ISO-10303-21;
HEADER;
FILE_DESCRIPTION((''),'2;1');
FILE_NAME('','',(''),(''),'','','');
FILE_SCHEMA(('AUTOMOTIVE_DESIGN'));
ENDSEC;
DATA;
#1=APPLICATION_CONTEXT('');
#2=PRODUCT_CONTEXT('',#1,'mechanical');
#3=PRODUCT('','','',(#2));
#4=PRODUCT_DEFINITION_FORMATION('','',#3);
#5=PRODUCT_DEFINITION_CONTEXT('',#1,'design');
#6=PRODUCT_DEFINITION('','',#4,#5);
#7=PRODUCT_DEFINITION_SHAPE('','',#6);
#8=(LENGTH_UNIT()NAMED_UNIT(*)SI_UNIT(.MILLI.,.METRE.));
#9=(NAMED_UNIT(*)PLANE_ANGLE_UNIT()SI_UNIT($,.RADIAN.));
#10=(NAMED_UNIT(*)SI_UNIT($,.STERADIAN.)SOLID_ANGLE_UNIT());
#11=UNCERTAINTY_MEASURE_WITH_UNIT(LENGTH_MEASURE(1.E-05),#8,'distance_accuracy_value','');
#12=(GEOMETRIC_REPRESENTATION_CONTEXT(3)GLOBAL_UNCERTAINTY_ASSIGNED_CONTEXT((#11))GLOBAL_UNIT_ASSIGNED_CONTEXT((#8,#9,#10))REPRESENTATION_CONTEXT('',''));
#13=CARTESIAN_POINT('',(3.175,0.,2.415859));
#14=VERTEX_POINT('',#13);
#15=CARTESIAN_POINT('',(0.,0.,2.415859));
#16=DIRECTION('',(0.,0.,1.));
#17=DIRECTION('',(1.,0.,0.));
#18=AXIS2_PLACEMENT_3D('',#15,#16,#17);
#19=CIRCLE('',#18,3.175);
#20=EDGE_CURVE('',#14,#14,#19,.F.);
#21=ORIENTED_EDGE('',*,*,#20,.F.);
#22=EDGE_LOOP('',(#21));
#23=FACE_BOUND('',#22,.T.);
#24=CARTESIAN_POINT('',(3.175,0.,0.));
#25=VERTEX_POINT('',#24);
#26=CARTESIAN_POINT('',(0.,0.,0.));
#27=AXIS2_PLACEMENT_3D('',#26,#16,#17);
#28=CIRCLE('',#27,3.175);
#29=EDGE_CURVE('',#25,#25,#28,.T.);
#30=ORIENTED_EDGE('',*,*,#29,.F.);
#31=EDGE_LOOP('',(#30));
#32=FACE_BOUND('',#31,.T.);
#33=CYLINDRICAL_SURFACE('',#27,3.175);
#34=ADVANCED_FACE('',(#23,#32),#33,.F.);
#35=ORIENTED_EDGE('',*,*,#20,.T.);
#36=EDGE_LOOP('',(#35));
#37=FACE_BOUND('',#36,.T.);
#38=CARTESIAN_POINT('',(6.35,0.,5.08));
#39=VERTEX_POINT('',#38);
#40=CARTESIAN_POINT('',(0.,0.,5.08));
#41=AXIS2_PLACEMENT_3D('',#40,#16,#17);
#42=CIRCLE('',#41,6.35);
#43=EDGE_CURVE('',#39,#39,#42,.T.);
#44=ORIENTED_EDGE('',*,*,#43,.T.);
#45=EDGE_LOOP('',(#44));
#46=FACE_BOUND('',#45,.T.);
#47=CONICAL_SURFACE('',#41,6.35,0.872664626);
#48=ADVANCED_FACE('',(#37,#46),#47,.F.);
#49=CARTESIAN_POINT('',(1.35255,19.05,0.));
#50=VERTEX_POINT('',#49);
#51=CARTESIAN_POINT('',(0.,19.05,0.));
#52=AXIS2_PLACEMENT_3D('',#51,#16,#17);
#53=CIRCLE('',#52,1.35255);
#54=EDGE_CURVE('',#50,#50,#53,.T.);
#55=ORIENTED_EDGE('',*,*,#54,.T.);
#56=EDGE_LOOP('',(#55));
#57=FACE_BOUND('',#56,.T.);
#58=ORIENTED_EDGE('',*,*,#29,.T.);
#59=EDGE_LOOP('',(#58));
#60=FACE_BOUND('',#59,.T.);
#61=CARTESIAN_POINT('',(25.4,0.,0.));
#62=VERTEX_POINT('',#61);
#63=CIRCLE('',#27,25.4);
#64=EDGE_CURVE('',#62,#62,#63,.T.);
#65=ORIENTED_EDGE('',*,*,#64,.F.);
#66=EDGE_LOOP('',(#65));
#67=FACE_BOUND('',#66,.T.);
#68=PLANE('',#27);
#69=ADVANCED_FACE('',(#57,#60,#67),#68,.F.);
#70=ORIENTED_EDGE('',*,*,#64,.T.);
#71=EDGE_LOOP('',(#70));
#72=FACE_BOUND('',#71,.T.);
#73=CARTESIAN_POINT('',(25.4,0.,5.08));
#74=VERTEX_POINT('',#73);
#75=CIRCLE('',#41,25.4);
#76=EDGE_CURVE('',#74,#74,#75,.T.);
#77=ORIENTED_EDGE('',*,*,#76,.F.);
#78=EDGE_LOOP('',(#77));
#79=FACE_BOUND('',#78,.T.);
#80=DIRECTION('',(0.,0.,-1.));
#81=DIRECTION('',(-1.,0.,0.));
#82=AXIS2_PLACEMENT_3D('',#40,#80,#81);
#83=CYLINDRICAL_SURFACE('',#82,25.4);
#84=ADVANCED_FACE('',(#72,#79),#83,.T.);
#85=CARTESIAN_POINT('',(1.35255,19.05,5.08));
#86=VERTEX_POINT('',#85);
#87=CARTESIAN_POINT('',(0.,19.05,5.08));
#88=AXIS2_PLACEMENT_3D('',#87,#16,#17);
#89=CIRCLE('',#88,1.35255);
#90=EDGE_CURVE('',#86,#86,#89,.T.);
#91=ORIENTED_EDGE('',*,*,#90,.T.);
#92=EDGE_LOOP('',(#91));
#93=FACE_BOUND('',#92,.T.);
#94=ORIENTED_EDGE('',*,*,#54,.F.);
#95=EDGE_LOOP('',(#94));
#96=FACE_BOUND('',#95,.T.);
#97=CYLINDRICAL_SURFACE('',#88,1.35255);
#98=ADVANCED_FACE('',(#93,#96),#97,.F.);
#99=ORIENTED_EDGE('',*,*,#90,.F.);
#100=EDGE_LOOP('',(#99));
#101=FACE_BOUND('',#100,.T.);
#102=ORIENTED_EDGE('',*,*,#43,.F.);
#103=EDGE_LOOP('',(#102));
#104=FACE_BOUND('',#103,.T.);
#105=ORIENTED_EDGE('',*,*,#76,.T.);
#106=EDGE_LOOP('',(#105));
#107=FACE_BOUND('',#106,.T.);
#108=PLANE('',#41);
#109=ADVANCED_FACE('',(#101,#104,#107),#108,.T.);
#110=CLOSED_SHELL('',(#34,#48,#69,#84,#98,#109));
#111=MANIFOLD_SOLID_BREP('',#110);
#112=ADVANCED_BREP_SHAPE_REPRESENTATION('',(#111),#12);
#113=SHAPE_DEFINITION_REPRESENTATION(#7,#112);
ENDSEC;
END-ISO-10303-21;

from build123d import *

# Parameters (mm, degrees)
SKETCH1_R             = 25.4
DISC_BASE_DEPTH       = 5.08
SKETCH2_R             = 3.175
CUT_EXTRUDE2_DEPTH    = 37.278456417
F_6_32_TAPPED_HOLE1_D = 2.7051


with BuildPart() as part:
    # Sketch1 → Disc Base (new body)
    with BuildSketch(Plane.XY):
        Circle(SKETCH1_R)
    extrude(amount=DISC_BASE_DEPTH)

    # Sketch10 → CSK for 1/4 Flat Head Machine Screw (100)1 (revolve, cut)
    with BuildSketch(Plane(origin=(0, 0, 5.08), x_dir=(0, -1, 0), z_dir=(1, 0, 0))):
        Polygon((0, 0), (0, 2.54), (3.175, 0.632267535), (3.175, 2.664141329), (6.35, 0), align=None)
    revolve(axis=Axis((0, 0, 11.43), (0, 0, -1)), mode=Mode.SUBTRACT)

    # Sketch2 → Cut-Extrude2 (cut, through all)
    with BuildSketch(Plane.XY.offset(5.08)):
        Circle(SKETCH2_R)
    extrude(amount=-CUT_EXTRUDE2_DEPTH, mode=Mode.SUBTRACT)

    # #6-32 Tapped Hole1 (through all)
    with Locations(Plane(origin=(0, 19.05, 5.08), x_dir=(1, 0, 0), z_dir=(0, 0, 1))):
        with Locations((0, 0)):
            Hole(F_6_32_TAPPED_HOLE1_D / 2)


solid = part.part
